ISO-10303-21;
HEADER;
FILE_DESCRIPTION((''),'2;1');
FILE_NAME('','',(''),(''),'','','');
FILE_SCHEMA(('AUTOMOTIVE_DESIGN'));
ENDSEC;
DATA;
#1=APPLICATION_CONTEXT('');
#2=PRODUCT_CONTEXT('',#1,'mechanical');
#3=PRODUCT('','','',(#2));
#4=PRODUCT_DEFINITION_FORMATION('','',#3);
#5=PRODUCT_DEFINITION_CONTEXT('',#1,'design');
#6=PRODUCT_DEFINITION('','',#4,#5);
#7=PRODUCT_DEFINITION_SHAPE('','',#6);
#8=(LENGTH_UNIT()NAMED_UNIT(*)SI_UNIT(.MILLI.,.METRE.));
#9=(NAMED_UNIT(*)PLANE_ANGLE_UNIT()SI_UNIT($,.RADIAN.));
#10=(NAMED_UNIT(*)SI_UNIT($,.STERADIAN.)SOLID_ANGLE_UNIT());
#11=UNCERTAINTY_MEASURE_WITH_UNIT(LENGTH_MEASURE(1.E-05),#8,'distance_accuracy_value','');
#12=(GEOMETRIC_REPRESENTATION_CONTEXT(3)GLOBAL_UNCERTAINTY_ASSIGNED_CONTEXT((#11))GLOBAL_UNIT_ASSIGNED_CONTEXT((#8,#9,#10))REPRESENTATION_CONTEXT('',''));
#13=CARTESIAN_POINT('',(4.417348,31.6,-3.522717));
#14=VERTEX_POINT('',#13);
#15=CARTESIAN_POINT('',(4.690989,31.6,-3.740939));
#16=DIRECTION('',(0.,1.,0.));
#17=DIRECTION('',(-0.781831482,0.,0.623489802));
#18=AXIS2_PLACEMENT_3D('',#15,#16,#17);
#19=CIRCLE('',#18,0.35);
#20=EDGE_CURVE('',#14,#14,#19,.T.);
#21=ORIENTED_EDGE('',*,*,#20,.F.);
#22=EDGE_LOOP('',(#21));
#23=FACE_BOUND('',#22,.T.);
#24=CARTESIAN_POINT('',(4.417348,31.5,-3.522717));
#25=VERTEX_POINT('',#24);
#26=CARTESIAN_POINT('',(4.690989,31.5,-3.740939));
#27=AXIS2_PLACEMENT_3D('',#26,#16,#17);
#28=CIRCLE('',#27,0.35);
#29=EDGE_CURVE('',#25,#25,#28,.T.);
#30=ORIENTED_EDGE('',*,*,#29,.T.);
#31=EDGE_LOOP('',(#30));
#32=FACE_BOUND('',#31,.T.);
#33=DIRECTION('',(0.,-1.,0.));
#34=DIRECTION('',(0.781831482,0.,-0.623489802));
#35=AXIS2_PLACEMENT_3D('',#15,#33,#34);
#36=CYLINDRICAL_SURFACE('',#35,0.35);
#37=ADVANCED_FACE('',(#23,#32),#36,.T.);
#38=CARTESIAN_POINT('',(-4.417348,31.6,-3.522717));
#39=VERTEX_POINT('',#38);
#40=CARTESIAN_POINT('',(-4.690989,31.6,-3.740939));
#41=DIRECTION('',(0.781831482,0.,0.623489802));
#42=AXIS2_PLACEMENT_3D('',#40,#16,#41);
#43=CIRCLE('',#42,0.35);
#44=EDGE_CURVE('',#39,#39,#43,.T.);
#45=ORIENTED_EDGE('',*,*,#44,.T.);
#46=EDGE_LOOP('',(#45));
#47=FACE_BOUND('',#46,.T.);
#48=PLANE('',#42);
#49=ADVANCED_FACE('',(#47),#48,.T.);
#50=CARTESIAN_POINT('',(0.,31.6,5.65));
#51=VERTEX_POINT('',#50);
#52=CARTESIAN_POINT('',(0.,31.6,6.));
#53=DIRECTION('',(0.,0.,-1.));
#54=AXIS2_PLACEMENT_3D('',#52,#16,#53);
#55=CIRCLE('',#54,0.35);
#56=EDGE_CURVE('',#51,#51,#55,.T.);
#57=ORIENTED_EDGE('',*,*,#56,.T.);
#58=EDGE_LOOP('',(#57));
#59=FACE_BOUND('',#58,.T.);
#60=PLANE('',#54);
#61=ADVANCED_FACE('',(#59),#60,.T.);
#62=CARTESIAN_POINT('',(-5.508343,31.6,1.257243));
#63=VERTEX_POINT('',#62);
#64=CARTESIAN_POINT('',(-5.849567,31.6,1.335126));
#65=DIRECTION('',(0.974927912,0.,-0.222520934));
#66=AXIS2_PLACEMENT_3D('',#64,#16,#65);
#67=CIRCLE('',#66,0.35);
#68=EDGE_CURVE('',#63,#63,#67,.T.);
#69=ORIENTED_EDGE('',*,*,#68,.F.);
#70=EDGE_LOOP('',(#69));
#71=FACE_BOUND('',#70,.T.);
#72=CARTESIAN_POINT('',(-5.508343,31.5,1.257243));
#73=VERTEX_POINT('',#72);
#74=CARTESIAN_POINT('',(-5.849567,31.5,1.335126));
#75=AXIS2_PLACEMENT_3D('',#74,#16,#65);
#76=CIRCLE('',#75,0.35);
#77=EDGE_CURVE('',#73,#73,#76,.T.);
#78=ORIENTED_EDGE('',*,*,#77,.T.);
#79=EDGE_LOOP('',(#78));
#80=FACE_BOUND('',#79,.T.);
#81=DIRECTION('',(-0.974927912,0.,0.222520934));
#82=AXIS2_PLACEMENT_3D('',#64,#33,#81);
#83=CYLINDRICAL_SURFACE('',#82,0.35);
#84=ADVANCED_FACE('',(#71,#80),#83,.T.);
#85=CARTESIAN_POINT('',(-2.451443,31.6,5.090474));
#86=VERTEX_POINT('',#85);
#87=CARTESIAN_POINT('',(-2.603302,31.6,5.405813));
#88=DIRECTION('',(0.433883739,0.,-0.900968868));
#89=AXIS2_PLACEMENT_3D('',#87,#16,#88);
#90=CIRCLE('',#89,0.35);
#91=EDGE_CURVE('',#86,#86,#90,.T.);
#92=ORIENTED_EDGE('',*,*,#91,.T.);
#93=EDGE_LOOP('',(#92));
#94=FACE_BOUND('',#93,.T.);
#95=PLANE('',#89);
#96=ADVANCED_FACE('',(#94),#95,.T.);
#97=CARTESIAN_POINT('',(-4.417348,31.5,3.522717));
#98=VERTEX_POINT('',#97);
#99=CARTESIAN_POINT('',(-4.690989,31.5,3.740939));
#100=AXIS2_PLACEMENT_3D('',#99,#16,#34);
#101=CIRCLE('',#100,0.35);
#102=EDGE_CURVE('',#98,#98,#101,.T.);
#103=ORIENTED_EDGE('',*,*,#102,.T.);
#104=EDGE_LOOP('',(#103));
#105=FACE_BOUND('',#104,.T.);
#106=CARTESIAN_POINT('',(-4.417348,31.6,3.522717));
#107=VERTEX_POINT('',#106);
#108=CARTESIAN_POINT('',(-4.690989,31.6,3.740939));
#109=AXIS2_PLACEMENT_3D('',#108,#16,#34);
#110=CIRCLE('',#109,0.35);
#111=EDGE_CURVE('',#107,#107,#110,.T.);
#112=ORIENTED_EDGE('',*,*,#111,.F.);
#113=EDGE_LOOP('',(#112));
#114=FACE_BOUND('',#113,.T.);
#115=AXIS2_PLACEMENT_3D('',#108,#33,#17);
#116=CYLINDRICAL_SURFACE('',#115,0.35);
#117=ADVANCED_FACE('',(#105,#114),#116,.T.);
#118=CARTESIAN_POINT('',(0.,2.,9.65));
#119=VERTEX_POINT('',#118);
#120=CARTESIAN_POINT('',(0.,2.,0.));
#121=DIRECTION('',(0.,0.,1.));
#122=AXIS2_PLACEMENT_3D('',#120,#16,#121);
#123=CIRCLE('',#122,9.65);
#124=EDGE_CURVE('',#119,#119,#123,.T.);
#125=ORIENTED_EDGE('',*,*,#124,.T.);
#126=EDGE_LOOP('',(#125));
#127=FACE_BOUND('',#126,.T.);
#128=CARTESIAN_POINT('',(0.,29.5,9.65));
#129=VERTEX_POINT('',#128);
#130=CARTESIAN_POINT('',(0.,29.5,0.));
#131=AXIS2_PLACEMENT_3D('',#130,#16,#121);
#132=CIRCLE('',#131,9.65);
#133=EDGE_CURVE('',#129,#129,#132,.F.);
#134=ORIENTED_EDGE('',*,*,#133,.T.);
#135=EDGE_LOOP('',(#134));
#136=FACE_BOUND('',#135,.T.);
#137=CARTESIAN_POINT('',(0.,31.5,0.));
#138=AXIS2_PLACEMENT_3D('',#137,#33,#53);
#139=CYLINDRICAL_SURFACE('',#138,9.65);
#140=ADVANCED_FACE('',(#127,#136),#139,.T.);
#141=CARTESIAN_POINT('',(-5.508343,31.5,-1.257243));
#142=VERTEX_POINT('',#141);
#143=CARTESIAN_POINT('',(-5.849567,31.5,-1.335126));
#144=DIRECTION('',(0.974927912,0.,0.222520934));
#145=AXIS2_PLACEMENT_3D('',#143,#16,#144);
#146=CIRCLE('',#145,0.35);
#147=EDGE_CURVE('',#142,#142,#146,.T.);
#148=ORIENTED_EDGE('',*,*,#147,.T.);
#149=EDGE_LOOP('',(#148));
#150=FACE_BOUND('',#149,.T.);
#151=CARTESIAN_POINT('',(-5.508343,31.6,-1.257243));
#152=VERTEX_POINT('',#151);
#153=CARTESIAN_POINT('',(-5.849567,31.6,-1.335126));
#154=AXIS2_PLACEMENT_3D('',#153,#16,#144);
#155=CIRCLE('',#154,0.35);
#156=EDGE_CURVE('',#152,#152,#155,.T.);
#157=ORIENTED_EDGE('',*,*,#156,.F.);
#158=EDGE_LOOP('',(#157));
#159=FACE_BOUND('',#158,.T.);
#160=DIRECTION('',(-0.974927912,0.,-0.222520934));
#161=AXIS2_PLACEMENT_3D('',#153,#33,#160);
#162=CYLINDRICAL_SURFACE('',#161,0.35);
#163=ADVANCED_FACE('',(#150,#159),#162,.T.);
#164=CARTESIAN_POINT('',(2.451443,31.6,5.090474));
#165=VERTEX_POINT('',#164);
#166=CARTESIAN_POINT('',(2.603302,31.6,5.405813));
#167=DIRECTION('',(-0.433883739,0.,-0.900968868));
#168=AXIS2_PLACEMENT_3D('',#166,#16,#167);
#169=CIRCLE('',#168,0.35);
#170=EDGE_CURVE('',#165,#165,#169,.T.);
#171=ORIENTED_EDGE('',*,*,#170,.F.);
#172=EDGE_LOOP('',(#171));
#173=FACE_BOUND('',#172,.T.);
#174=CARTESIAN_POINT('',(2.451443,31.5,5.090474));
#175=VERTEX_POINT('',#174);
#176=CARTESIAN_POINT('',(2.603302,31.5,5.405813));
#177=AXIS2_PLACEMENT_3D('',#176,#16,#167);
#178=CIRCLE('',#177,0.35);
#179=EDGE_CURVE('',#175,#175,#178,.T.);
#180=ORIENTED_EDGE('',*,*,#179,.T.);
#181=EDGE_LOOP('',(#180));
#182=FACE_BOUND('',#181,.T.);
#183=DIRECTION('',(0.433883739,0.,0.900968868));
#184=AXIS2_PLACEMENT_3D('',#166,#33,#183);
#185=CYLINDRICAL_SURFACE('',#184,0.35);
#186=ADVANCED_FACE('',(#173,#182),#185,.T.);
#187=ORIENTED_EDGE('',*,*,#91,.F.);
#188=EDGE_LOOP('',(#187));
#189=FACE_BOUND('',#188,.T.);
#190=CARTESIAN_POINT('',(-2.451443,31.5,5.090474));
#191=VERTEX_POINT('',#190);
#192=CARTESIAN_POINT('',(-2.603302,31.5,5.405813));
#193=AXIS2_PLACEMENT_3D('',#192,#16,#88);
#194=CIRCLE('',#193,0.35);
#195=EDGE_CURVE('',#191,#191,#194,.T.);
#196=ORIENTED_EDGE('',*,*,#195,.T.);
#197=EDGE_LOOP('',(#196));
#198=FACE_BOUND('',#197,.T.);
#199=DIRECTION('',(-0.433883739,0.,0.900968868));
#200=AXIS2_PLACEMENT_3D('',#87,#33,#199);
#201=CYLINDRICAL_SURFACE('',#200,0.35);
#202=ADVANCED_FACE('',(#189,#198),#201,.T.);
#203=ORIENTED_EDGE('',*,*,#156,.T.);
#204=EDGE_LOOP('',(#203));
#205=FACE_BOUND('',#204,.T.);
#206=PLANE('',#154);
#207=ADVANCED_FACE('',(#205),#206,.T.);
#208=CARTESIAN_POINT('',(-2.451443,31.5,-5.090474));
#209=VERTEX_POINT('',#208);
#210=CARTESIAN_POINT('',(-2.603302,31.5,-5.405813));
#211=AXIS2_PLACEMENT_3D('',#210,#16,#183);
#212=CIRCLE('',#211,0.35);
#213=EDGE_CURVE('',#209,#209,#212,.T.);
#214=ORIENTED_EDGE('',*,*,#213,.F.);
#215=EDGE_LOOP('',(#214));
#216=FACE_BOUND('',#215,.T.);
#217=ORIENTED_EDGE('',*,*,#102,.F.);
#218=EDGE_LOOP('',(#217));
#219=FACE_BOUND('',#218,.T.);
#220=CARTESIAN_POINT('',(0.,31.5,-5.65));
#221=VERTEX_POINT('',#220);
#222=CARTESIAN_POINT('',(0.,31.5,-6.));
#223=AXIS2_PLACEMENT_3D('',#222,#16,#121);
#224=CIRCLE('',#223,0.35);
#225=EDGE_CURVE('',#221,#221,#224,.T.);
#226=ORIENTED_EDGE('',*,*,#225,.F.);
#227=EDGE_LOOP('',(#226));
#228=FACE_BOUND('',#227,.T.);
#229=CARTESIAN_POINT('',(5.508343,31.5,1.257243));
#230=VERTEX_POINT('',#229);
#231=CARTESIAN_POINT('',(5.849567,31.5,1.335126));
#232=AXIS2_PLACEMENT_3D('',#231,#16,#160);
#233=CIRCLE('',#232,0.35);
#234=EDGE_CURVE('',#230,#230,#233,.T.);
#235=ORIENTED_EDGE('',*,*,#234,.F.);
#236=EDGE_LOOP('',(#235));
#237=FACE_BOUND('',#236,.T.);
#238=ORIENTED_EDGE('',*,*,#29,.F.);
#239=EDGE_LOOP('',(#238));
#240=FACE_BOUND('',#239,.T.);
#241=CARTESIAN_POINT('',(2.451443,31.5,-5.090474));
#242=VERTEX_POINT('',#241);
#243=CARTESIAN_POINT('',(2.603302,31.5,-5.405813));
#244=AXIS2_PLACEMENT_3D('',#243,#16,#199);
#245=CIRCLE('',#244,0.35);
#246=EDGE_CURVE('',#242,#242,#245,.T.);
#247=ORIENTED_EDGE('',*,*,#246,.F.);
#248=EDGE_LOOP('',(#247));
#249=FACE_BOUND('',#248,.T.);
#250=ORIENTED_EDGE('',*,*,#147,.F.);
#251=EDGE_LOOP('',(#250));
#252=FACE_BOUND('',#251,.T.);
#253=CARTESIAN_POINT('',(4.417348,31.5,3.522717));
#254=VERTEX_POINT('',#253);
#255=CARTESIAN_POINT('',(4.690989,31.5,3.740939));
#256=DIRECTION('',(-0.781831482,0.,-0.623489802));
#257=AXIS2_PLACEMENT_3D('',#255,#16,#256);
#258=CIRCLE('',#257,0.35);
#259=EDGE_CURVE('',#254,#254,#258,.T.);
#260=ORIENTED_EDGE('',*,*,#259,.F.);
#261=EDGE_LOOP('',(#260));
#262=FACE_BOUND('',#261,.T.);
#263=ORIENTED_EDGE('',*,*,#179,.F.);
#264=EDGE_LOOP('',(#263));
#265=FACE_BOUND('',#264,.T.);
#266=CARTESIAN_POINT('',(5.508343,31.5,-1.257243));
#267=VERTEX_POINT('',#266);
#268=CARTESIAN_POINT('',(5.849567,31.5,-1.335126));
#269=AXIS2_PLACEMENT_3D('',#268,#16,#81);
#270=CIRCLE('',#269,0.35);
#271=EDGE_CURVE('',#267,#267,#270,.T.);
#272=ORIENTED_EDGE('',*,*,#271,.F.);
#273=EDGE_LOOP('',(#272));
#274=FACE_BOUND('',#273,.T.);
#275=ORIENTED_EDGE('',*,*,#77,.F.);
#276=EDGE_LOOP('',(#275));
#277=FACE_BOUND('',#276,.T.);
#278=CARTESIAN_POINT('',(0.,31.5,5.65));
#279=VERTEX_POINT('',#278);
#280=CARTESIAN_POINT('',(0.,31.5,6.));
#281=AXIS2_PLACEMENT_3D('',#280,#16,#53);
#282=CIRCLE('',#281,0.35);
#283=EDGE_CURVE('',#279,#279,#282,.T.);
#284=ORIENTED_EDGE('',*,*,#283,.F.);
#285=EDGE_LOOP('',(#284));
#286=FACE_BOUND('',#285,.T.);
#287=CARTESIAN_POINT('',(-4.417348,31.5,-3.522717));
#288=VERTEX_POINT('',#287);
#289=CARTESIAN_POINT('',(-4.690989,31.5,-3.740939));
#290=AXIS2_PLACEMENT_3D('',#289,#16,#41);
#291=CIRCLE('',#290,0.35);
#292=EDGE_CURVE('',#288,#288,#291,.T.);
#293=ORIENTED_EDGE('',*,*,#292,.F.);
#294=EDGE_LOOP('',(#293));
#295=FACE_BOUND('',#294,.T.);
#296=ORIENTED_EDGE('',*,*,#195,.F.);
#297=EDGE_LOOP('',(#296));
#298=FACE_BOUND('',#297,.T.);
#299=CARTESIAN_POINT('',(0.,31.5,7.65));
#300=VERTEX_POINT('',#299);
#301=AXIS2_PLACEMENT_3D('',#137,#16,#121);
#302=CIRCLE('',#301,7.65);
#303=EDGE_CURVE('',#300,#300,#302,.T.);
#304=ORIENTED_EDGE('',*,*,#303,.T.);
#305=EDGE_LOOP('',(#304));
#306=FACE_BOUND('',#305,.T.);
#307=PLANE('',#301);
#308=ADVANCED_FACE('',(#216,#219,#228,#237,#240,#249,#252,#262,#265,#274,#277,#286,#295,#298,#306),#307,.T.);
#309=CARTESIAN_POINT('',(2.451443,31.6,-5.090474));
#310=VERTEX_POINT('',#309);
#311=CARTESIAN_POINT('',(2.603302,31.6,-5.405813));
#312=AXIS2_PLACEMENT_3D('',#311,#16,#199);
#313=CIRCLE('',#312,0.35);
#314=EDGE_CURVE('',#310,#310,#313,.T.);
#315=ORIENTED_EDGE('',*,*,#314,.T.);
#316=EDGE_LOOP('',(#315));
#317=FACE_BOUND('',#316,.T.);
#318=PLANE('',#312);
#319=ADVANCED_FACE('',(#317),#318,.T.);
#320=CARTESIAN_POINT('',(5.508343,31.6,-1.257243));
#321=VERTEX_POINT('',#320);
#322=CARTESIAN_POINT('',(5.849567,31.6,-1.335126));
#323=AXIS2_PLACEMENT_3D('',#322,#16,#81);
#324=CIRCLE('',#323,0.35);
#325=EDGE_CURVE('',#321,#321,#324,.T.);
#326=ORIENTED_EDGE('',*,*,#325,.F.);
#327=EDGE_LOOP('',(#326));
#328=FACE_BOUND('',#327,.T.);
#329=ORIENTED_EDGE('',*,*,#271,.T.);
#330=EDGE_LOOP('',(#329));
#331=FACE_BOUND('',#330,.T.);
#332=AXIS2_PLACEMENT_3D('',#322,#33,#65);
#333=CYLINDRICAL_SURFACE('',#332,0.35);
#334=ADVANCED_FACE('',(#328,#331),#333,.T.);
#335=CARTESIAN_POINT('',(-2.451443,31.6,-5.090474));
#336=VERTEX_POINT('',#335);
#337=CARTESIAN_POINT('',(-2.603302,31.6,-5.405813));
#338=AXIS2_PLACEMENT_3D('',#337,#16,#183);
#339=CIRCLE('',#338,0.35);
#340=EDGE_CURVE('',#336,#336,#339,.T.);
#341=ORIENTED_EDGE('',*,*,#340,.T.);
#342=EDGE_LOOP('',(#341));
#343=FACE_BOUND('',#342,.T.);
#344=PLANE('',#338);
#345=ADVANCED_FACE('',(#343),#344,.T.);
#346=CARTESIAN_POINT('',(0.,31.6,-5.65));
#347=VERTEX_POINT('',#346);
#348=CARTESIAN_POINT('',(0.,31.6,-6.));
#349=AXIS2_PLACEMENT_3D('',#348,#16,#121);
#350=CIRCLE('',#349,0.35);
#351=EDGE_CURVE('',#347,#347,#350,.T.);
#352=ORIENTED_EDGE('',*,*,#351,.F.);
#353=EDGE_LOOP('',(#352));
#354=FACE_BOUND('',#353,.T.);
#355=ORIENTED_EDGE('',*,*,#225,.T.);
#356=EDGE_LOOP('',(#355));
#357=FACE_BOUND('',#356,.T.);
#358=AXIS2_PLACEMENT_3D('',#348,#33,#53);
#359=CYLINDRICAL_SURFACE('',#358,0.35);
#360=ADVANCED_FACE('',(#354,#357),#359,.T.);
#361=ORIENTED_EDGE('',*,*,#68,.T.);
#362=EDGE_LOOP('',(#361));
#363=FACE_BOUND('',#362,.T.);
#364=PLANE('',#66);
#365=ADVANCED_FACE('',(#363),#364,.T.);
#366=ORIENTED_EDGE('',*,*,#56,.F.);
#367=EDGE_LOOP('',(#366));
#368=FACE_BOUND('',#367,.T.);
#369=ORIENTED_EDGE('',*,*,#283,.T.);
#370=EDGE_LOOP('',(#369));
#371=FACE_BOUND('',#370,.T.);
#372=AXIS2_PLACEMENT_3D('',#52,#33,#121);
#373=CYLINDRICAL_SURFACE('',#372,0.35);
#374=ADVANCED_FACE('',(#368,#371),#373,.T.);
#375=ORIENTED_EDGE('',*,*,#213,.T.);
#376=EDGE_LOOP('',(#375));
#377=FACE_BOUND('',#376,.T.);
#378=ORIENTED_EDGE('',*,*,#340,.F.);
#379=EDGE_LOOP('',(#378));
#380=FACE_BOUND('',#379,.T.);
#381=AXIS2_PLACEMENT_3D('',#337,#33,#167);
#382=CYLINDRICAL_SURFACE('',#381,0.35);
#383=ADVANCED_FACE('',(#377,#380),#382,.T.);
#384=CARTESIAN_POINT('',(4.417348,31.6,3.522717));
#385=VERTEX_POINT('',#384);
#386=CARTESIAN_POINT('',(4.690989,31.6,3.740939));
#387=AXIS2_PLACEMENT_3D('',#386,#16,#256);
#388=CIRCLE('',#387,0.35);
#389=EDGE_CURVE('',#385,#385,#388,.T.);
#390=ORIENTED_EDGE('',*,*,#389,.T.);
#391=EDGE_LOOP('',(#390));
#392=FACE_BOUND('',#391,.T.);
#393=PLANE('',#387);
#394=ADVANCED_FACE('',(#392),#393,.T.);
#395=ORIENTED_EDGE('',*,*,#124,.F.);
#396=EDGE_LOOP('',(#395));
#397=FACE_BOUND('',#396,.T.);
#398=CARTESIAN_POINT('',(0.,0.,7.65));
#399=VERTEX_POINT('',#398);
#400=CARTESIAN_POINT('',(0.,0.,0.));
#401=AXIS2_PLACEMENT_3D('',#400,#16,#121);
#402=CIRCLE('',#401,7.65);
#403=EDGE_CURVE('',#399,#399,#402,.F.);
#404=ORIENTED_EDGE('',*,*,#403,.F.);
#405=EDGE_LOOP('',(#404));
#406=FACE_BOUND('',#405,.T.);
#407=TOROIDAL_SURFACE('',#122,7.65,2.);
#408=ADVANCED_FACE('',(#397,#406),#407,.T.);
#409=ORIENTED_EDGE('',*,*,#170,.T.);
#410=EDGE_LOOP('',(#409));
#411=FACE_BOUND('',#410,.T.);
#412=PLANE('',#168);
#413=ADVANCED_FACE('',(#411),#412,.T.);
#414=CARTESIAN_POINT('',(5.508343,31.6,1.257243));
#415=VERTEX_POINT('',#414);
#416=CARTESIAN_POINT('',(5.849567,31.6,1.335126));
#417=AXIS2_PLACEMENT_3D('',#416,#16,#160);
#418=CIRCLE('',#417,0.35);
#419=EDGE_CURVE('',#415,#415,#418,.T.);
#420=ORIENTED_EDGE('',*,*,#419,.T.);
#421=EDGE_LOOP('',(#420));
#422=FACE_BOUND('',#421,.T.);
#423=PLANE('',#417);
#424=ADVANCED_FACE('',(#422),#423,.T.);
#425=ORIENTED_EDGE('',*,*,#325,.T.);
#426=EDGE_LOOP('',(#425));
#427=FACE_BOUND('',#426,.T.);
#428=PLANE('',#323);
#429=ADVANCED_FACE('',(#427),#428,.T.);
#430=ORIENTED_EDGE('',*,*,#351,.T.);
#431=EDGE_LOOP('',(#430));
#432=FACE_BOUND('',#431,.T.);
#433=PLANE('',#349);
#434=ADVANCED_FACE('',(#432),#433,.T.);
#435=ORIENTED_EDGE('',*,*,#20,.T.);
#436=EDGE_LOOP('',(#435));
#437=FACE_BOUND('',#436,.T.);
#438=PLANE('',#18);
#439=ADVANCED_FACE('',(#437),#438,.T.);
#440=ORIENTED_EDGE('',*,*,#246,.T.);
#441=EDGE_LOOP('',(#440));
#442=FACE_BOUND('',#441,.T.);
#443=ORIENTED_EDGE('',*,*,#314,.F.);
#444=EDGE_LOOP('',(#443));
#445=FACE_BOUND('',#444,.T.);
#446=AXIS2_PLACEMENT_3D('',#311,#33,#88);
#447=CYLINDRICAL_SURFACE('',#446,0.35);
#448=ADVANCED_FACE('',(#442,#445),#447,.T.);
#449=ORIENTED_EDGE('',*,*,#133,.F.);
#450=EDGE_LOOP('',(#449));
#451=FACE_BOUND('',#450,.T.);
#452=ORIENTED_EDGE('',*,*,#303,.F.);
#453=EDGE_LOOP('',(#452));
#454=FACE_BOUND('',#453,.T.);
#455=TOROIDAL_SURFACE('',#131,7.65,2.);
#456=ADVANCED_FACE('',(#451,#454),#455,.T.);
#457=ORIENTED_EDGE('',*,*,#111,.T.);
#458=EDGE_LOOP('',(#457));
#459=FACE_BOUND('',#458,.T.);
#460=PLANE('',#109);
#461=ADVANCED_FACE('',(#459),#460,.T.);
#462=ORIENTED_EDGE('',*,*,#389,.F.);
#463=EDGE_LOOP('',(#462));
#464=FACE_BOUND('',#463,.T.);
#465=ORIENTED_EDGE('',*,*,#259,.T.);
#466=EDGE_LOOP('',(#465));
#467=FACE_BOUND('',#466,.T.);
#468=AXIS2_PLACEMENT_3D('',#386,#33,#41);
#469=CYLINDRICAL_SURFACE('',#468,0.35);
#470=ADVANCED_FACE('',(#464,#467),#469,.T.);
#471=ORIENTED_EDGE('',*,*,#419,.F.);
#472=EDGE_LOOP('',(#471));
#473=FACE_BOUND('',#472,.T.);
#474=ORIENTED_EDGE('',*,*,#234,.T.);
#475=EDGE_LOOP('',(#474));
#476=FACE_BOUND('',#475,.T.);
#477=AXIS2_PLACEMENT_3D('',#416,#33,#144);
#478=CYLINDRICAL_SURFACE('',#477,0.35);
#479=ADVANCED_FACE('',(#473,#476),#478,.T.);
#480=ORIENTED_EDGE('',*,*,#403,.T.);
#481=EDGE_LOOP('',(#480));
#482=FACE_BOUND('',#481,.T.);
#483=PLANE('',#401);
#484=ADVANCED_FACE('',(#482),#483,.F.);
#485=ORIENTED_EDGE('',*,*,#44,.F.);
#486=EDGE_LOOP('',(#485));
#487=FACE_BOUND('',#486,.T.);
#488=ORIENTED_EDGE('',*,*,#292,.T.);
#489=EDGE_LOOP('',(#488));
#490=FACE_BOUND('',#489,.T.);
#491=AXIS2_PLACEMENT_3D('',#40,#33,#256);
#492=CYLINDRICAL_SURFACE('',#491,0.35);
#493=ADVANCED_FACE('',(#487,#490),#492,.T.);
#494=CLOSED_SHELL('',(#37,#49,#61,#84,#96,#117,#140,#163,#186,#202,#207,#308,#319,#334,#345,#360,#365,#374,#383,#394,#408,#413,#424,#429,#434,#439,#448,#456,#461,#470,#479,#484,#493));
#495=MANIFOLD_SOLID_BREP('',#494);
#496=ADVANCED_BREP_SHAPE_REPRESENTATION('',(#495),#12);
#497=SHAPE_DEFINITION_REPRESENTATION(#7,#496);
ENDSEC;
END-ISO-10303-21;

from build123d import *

# Parameters (mm, degrees)
SKETCH1_R           = 9.65
BOSS_EXTRUDE1_DEPTH = 31.5
FILLET4_R           = 2
SKETCH2_R           = 0.35
BOSS_EXTRUDE2_DEPTH = 0.1
CIRPATTERN1_COUNT   = 14


with BuildPart() as part:
    # Sketch1 → Boss-Extrude1 (new body)
    with BuildSketch(Plane(origin=(0, 0, 0), x_dir=(1, 0, 0), z_dir=(0, 1, 0))):
        with Locations(Location((0, 0, 0), (0, 0, 270))):
            Circle(SKETCH1_R)
    extrude(amount=BOSS_EXTRUDE1_DEPTH)

    # Fillet4
    fillet4_edges = [part.edges().sort_by_distance(p)[0] for p in [
        (0, 0, -9.65),
        (0, 31.5, -9.65),
    ]]
    fillet(fillet4_edges, radius=FILLET4_R)

    # Sketch2 → Boss-Extrude2 (add)
    with BuildSketch(Plane(origin=(0, 31.5, 0), x_dir=(1, 0, 0), z_dir=(0, 1, 0))):
        with Locations(Location((0, 6, 0), (0, 0, 270))):
            Circle(SKETCH2_R)
    boss_extrude2 = extrude(amount=BOSS_EXTRUDE2_DEPTH)

    # CirPattern1: Boss-Extrude2 ×14 about axis
    cirpattern1_axis = Axis((0, 0, 0), (0, 1, 0))
    for i in range(1, CIRPATTERN1_COUNT):
        add(boss_extrude2.rotate(cirpattern1_axis, i * 360 / CIRPATTERN1_COUNT))


solid = part.part
